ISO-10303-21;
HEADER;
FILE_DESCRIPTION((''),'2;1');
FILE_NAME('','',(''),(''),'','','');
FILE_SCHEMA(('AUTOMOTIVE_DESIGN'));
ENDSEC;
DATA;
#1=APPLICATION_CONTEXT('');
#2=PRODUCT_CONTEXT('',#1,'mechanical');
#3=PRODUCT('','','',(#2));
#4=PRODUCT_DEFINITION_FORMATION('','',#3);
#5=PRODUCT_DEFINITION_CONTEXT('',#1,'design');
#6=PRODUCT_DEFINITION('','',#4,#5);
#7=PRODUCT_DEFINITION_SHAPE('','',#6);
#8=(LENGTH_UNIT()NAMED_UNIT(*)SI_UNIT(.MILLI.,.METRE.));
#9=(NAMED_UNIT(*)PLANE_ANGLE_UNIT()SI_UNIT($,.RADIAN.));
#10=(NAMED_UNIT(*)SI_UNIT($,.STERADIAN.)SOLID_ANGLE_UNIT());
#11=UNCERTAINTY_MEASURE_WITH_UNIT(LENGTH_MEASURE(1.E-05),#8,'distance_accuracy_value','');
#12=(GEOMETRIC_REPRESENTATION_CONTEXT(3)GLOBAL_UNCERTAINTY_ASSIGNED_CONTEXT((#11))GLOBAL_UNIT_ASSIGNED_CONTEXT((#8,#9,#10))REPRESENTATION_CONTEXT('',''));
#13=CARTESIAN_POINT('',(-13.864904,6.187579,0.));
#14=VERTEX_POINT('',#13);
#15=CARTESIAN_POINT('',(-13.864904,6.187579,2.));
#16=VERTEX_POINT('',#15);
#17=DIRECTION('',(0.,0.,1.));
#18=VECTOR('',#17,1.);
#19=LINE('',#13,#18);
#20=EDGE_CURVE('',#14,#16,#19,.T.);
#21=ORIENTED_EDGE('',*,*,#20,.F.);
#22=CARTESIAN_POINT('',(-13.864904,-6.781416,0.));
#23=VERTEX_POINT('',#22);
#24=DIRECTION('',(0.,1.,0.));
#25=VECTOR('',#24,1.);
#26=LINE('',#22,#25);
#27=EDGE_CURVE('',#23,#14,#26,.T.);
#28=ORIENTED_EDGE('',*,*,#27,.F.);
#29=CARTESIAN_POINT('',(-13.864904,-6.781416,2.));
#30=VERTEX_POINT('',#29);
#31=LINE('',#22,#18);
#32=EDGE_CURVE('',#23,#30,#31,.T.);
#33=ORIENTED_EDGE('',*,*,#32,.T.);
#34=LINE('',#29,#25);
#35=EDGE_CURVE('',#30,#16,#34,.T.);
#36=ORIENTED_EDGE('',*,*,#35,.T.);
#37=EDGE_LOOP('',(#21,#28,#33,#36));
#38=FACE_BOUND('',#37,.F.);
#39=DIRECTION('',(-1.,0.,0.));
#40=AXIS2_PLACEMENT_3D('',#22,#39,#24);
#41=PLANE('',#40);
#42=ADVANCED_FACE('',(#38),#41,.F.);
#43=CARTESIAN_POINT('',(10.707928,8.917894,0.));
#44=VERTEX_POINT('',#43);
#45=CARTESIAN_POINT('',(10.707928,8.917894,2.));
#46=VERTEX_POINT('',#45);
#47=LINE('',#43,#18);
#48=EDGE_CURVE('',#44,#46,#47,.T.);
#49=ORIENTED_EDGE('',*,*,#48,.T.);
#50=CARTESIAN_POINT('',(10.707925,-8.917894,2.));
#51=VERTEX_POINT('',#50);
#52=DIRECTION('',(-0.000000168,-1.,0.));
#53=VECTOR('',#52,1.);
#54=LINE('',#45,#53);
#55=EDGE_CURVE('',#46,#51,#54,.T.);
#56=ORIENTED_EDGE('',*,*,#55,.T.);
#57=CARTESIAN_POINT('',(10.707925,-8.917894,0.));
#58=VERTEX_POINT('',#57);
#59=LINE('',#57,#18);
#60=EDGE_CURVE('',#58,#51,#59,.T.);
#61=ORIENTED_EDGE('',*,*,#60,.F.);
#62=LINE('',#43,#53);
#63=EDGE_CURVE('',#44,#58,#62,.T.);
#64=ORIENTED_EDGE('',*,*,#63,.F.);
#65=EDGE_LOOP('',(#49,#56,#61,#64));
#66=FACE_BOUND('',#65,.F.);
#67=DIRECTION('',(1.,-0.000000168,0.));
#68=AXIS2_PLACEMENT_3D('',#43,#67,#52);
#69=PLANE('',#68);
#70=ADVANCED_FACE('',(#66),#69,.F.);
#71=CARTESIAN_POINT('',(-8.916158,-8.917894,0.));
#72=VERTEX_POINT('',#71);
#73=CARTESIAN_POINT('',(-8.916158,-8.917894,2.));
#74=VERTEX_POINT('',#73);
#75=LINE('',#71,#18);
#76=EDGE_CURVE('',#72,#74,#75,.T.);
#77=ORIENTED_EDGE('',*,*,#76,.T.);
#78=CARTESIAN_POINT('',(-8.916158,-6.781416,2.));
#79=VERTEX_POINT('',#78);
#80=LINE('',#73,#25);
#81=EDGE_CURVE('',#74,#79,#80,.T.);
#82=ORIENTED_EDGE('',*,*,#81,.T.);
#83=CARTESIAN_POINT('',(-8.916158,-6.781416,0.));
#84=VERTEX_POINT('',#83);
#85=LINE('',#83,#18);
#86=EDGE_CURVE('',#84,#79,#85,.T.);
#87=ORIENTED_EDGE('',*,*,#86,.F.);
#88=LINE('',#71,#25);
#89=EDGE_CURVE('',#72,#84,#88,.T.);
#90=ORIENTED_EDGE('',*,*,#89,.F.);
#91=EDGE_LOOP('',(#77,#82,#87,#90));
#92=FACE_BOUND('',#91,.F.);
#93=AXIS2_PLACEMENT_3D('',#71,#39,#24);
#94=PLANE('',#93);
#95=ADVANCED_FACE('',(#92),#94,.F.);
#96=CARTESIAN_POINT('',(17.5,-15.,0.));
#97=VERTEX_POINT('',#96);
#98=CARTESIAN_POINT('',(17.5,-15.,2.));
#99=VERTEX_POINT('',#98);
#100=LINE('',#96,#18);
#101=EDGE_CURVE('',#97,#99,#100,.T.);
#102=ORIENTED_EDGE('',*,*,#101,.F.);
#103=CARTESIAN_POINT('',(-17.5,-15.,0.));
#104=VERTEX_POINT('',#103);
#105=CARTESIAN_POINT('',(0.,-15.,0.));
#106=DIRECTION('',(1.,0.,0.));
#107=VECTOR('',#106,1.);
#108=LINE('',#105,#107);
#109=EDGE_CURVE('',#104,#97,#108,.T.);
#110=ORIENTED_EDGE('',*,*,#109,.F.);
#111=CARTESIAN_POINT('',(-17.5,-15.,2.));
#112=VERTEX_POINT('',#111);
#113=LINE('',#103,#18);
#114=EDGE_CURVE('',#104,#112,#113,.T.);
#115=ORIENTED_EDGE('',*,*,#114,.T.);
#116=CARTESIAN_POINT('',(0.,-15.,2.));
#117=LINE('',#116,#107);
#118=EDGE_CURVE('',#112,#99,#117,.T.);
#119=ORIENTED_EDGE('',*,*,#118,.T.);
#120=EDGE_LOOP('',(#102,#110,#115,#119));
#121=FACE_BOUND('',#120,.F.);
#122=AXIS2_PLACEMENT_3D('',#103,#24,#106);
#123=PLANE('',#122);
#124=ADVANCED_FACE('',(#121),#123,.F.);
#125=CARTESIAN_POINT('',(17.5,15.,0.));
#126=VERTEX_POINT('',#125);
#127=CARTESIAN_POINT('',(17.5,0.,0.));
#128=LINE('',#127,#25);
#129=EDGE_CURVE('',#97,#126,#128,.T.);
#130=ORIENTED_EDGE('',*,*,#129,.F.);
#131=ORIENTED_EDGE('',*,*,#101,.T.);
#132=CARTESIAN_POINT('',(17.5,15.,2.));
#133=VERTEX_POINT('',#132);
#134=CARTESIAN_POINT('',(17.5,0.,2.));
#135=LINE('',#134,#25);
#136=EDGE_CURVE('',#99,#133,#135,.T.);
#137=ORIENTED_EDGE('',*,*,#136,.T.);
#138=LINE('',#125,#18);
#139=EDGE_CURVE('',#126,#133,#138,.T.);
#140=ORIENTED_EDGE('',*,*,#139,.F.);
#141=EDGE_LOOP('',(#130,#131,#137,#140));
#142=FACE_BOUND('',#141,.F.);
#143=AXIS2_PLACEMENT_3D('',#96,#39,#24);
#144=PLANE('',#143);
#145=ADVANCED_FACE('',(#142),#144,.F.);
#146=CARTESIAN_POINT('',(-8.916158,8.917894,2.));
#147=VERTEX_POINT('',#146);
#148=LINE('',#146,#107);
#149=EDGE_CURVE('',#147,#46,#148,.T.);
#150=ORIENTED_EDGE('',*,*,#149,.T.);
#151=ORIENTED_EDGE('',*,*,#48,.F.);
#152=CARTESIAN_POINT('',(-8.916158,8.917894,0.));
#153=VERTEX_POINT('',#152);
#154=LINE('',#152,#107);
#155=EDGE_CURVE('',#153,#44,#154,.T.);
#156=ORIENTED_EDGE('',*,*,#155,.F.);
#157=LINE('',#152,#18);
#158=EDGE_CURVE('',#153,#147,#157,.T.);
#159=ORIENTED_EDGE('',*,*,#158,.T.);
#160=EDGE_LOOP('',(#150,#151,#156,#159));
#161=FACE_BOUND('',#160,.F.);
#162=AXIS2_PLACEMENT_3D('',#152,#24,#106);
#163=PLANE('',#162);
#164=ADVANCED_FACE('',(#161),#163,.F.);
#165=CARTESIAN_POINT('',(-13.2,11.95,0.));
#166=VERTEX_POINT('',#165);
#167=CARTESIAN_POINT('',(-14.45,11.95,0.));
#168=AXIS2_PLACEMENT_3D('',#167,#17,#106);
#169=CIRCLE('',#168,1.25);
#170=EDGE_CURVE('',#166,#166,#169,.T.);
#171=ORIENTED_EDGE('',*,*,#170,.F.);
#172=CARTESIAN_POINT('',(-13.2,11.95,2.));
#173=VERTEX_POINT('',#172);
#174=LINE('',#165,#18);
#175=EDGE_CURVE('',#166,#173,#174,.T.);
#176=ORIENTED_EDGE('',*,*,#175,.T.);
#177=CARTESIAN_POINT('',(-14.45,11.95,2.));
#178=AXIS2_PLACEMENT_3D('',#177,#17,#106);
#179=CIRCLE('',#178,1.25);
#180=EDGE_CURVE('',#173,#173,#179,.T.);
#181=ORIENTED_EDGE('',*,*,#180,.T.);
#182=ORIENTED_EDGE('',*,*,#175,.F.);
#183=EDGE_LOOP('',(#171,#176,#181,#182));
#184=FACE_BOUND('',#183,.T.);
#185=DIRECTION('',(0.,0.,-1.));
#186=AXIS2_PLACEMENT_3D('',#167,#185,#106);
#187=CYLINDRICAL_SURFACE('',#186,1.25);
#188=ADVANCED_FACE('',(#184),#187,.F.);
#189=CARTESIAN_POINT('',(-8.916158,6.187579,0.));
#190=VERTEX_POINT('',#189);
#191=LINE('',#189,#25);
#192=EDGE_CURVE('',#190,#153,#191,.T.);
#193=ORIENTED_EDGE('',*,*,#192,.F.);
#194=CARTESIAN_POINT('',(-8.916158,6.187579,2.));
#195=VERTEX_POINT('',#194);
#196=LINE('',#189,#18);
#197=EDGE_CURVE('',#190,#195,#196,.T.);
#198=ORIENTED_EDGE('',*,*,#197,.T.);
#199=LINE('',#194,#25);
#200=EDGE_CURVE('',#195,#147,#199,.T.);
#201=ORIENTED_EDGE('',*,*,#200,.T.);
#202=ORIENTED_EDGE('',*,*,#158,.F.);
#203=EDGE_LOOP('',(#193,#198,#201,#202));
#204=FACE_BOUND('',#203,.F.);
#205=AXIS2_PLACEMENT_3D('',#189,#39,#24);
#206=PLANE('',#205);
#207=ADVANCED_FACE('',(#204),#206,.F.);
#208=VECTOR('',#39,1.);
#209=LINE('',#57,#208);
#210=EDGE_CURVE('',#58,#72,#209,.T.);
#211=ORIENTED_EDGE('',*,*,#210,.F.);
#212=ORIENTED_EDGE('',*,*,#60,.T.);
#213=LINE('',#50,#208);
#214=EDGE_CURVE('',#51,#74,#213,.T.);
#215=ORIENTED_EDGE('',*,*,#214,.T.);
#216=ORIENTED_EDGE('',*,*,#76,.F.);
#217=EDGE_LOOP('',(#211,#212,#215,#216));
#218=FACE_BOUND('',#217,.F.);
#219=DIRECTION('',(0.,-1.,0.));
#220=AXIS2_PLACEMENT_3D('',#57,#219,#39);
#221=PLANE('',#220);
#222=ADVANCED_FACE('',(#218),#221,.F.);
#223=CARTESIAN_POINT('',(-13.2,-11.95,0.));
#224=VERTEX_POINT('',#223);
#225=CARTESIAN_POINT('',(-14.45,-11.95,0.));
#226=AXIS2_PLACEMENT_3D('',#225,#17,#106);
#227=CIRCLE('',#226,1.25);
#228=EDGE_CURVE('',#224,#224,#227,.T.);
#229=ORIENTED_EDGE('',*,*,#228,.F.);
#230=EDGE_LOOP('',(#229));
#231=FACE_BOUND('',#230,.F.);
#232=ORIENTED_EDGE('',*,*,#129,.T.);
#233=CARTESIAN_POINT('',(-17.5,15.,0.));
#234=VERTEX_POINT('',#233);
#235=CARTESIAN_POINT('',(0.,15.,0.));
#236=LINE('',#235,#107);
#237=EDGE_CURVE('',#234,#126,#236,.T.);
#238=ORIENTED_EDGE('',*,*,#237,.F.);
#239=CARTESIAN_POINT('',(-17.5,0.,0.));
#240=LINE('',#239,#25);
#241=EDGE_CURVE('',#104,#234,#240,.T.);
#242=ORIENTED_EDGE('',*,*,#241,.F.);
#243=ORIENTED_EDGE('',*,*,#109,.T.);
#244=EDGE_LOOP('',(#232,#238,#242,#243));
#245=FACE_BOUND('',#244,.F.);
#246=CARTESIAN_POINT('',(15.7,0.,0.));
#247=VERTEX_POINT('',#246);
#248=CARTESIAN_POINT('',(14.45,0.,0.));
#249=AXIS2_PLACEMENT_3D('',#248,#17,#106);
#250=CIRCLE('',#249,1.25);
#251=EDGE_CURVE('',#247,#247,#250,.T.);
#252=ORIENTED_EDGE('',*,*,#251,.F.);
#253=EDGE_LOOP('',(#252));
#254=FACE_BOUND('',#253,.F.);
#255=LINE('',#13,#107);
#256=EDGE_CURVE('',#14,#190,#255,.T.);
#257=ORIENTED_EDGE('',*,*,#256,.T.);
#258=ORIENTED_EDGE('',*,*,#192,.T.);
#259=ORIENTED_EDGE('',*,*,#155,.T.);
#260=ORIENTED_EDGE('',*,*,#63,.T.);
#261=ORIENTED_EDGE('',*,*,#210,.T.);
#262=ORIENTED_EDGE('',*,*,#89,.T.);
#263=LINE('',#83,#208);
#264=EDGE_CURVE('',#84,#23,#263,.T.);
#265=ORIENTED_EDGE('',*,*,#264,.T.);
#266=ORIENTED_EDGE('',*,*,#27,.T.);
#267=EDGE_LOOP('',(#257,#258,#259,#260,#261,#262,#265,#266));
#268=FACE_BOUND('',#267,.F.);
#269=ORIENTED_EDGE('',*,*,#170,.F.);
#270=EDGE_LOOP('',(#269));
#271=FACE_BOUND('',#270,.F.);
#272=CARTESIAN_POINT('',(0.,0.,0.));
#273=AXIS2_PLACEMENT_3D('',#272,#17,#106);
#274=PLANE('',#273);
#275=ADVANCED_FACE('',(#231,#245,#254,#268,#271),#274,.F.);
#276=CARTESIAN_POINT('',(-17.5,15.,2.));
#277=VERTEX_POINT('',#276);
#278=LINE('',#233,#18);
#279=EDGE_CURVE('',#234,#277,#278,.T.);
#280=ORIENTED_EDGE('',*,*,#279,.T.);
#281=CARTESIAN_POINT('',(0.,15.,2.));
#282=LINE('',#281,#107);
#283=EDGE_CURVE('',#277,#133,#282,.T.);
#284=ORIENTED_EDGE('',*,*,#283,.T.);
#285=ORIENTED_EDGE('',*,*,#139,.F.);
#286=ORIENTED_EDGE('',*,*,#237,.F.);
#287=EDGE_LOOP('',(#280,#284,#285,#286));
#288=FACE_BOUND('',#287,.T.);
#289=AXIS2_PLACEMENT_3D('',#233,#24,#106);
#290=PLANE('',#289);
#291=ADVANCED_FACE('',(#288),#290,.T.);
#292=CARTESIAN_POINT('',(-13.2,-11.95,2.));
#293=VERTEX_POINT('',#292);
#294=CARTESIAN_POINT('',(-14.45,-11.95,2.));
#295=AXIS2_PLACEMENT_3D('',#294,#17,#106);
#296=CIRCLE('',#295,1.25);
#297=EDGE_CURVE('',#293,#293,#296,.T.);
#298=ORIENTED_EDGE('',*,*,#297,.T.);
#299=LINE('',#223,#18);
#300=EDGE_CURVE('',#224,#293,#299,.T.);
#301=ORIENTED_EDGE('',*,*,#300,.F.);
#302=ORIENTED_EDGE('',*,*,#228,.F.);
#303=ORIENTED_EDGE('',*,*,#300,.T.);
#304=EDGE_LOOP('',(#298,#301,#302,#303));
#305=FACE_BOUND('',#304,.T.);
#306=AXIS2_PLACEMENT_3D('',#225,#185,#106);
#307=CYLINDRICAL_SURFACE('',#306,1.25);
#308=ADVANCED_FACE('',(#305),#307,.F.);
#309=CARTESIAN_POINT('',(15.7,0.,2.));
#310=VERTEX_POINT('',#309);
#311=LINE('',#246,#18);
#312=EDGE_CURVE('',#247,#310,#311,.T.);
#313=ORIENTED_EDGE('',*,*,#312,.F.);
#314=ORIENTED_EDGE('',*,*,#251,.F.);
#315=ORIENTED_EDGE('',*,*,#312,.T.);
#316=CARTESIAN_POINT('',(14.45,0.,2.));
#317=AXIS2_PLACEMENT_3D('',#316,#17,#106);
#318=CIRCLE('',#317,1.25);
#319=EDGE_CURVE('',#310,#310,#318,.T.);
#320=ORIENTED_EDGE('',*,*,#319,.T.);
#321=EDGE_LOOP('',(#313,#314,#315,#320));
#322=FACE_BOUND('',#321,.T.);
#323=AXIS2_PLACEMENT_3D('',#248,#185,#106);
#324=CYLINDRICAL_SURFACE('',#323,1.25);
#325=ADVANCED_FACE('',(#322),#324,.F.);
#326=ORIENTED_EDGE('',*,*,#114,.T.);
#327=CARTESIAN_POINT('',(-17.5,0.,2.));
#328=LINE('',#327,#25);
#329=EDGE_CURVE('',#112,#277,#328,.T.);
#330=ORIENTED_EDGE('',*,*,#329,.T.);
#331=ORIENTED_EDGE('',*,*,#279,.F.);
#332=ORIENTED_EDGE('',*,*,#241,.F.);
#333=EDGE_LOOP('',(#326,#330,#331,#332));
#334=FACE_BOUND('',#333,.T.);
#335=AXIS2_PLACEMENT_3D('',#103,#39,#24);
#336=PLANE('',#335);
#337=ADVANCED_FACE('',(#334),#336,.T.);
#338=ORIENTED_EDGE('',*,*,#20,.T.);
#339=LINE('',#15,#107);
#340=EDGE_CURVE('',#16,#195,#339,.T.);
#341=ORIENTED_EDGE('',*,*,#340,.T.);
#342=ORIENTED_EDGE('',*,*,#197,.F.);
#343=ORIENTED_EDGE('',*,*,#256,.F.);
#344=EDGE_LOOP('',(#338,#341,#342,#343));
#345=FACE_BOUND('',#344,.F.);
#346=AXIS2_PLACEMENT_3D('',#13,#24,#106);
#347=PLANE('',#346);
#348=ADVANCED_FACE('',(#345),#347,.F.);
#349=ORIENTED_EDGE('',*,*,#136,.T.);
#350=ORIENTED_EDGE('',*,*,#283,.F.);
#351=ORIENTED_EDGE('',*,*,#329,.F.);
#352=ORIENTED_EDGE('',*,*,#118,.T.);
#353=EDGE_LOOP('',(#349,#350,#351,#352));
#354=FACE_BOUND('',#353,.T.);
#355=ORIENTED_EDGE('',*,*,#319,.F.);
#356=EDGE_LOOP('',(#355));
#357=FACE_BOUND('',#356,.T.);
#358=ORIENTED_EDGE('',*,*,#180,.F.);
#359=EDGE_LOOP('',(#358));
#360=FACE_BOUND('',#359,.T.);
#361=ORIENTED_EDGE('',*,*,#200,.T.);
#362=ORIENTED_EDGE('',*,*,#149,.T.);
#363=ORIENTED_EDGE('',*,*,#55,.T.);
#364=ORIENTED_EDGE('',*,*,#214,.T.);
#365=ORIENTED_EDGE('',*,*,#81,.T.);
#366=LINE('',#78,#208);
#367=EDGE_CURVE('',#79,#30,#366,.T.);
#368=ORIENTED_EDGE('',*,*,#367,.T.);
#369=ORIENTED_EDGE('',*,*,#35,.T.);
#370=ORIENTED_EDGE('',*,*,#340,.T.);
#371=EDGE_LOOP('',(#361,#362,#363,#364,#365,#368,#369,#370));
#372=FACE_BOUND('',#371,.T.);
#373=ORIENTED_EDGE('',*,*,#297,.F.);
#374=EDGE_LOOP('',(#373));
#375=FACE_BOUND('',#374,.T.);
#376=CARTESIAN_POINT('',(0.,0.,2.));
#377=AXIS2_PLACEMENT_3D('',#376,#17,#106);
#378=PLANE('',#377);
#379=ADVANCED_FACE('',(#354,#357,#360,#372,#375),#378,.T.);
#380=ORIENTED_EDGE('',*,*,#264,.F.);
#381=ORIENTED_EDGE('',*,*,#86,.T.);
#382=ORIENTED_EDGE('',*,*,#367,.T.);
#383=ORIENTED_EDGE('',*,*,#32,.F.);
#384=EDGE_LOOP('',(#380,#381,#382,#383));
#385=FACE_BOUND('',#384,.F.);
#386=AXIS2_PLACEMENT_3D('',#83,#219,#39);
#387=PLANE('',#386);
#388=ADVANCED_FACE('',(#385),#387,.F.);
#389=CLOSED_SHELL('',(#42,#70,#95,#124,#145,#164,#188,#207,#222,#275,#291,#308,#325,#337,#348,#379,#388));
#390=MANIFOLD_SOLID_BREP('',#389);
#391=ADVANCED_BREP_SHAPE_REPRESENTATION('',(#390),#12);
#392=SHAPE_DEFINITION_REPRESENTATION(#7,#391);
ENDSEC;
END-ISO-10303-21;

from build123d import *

# Parameters (mm, degrees)
F0_W     = 35
F0_H     = 30
F0_R     = 1.25
F1_DEPTH = 2


with BuildPart() as f1:
    # F0 (on Top) → F1 (new body)
    with BuildSketch(Plane.XY):
        Rectangle(F0_W, F0_H)
        with Locations((-14.45, -11.95)):
            Circle(F0_R, mode=Mode.SUBTRACT)
        Polygon((-8.916158, 8.917894), (8.916158, 8.917894), (10.707928, 8.917894), (10.707925, -8.917894), (8.916158, -8.917894), (-8.916158, -8.917894), (-8.916158, -6.781416), (-13.864904, -6.781416), (-13.864904, 6.187579), (-8.916158, 6.187579), align=None, mode=Mode.SUBTRACT)
        with Locations((-14.45, 11.95)):
            Circle(F0_R, mode=Mode.SUBTRACT)
        with Locations((14.45, 0)):
            Circle(F0_R, mode=Mode.SUBTRACT)
    extrude(amount=F1_DEPTH)


solid = f1.part
